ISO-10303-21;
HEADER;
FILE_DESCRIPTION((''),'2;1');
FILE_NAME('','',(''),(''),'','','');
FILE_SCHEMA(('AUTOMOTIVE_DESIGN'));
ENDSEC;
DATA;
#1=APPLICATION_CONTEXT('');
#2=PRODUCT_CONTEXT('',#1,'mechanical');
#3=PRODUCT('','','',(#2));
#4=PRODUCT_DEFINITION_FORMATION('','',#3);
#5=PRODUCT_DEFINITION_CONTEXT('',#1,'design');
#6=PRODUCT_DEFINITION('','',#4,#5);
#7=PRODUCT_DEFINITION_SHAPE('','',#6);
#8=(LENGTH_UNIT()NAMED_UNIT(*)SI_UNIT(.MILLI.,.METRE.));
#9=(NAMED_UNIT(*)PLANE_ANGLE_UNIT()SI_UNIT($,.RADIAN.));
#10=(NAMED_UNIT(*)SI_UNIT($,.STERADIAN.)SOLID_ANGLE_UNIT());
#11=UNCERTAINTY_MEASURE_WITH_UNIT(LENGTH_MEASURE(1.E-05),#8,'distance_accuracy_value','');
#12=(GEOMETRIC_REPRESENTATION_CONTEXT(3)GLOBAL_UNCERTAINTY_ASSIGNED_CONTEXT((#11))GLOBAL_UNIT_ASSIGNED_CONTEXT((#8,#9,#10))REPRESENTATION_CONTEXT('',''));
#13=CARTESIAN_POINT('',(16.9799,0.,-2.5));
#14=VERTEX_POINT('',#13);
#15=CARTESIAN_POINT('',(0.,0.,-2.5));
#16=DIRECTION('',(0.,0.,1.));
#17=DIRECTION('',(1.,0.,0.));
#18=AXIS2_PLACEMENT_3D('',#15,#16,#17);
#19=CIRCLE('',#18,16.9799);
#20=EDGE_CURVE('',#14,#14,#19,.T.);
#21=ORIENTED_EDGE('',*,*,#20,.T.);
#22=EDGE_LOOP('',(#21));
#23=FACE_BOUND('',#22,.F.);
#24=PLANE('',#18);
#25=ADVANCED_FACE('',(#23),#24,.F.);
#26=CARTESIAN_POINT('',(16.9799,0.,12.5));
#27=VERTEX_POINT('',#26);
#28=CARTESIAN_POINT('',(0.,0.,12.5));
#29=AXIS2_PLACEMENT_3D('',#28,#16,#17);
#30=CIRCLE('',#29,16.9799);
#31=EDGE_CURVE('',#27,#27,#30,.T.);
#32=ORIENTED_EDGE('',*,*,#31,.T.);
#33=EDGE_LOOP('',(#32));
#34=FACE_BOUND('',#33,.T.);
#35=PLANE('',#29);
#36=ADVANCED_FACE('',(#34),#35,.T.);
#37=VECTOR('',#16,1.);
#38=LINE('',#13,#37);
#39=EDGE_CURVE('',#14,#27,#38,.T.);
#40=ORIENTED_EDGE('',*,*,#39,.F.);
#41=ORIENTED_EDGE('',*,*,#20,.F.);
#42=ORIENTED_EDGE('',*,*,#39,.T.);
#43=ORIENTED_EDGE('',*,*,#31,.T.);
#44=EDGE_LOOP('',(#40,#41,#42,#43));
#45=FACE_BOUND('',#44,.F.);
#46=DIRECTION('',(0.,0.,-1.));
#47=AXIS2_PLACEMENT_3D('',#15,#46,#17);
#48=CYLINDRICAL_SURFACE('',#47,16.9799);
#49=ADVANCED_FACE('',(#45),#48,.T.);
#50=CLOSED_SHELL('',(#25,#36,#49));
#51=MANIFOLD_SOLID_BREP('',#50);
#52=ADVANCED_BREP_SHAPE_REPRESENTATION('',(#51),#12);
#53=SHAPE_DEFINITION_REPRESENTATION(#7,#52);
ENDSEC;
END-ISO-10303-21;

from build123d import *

# Parameters (mm, degrees)
CYLINDER_R     = 16.9799
CYLINDER_DEPTH = 15


with BuildPart() as part:
    # Cylinder → Cylinder (new body)
    with BuildSketch(Plane.XY.offset(-2.5)):
        Circle(CYLINDER_R)
    extrude(amount=CYLINDER_DEPTH)


solid = part.part
